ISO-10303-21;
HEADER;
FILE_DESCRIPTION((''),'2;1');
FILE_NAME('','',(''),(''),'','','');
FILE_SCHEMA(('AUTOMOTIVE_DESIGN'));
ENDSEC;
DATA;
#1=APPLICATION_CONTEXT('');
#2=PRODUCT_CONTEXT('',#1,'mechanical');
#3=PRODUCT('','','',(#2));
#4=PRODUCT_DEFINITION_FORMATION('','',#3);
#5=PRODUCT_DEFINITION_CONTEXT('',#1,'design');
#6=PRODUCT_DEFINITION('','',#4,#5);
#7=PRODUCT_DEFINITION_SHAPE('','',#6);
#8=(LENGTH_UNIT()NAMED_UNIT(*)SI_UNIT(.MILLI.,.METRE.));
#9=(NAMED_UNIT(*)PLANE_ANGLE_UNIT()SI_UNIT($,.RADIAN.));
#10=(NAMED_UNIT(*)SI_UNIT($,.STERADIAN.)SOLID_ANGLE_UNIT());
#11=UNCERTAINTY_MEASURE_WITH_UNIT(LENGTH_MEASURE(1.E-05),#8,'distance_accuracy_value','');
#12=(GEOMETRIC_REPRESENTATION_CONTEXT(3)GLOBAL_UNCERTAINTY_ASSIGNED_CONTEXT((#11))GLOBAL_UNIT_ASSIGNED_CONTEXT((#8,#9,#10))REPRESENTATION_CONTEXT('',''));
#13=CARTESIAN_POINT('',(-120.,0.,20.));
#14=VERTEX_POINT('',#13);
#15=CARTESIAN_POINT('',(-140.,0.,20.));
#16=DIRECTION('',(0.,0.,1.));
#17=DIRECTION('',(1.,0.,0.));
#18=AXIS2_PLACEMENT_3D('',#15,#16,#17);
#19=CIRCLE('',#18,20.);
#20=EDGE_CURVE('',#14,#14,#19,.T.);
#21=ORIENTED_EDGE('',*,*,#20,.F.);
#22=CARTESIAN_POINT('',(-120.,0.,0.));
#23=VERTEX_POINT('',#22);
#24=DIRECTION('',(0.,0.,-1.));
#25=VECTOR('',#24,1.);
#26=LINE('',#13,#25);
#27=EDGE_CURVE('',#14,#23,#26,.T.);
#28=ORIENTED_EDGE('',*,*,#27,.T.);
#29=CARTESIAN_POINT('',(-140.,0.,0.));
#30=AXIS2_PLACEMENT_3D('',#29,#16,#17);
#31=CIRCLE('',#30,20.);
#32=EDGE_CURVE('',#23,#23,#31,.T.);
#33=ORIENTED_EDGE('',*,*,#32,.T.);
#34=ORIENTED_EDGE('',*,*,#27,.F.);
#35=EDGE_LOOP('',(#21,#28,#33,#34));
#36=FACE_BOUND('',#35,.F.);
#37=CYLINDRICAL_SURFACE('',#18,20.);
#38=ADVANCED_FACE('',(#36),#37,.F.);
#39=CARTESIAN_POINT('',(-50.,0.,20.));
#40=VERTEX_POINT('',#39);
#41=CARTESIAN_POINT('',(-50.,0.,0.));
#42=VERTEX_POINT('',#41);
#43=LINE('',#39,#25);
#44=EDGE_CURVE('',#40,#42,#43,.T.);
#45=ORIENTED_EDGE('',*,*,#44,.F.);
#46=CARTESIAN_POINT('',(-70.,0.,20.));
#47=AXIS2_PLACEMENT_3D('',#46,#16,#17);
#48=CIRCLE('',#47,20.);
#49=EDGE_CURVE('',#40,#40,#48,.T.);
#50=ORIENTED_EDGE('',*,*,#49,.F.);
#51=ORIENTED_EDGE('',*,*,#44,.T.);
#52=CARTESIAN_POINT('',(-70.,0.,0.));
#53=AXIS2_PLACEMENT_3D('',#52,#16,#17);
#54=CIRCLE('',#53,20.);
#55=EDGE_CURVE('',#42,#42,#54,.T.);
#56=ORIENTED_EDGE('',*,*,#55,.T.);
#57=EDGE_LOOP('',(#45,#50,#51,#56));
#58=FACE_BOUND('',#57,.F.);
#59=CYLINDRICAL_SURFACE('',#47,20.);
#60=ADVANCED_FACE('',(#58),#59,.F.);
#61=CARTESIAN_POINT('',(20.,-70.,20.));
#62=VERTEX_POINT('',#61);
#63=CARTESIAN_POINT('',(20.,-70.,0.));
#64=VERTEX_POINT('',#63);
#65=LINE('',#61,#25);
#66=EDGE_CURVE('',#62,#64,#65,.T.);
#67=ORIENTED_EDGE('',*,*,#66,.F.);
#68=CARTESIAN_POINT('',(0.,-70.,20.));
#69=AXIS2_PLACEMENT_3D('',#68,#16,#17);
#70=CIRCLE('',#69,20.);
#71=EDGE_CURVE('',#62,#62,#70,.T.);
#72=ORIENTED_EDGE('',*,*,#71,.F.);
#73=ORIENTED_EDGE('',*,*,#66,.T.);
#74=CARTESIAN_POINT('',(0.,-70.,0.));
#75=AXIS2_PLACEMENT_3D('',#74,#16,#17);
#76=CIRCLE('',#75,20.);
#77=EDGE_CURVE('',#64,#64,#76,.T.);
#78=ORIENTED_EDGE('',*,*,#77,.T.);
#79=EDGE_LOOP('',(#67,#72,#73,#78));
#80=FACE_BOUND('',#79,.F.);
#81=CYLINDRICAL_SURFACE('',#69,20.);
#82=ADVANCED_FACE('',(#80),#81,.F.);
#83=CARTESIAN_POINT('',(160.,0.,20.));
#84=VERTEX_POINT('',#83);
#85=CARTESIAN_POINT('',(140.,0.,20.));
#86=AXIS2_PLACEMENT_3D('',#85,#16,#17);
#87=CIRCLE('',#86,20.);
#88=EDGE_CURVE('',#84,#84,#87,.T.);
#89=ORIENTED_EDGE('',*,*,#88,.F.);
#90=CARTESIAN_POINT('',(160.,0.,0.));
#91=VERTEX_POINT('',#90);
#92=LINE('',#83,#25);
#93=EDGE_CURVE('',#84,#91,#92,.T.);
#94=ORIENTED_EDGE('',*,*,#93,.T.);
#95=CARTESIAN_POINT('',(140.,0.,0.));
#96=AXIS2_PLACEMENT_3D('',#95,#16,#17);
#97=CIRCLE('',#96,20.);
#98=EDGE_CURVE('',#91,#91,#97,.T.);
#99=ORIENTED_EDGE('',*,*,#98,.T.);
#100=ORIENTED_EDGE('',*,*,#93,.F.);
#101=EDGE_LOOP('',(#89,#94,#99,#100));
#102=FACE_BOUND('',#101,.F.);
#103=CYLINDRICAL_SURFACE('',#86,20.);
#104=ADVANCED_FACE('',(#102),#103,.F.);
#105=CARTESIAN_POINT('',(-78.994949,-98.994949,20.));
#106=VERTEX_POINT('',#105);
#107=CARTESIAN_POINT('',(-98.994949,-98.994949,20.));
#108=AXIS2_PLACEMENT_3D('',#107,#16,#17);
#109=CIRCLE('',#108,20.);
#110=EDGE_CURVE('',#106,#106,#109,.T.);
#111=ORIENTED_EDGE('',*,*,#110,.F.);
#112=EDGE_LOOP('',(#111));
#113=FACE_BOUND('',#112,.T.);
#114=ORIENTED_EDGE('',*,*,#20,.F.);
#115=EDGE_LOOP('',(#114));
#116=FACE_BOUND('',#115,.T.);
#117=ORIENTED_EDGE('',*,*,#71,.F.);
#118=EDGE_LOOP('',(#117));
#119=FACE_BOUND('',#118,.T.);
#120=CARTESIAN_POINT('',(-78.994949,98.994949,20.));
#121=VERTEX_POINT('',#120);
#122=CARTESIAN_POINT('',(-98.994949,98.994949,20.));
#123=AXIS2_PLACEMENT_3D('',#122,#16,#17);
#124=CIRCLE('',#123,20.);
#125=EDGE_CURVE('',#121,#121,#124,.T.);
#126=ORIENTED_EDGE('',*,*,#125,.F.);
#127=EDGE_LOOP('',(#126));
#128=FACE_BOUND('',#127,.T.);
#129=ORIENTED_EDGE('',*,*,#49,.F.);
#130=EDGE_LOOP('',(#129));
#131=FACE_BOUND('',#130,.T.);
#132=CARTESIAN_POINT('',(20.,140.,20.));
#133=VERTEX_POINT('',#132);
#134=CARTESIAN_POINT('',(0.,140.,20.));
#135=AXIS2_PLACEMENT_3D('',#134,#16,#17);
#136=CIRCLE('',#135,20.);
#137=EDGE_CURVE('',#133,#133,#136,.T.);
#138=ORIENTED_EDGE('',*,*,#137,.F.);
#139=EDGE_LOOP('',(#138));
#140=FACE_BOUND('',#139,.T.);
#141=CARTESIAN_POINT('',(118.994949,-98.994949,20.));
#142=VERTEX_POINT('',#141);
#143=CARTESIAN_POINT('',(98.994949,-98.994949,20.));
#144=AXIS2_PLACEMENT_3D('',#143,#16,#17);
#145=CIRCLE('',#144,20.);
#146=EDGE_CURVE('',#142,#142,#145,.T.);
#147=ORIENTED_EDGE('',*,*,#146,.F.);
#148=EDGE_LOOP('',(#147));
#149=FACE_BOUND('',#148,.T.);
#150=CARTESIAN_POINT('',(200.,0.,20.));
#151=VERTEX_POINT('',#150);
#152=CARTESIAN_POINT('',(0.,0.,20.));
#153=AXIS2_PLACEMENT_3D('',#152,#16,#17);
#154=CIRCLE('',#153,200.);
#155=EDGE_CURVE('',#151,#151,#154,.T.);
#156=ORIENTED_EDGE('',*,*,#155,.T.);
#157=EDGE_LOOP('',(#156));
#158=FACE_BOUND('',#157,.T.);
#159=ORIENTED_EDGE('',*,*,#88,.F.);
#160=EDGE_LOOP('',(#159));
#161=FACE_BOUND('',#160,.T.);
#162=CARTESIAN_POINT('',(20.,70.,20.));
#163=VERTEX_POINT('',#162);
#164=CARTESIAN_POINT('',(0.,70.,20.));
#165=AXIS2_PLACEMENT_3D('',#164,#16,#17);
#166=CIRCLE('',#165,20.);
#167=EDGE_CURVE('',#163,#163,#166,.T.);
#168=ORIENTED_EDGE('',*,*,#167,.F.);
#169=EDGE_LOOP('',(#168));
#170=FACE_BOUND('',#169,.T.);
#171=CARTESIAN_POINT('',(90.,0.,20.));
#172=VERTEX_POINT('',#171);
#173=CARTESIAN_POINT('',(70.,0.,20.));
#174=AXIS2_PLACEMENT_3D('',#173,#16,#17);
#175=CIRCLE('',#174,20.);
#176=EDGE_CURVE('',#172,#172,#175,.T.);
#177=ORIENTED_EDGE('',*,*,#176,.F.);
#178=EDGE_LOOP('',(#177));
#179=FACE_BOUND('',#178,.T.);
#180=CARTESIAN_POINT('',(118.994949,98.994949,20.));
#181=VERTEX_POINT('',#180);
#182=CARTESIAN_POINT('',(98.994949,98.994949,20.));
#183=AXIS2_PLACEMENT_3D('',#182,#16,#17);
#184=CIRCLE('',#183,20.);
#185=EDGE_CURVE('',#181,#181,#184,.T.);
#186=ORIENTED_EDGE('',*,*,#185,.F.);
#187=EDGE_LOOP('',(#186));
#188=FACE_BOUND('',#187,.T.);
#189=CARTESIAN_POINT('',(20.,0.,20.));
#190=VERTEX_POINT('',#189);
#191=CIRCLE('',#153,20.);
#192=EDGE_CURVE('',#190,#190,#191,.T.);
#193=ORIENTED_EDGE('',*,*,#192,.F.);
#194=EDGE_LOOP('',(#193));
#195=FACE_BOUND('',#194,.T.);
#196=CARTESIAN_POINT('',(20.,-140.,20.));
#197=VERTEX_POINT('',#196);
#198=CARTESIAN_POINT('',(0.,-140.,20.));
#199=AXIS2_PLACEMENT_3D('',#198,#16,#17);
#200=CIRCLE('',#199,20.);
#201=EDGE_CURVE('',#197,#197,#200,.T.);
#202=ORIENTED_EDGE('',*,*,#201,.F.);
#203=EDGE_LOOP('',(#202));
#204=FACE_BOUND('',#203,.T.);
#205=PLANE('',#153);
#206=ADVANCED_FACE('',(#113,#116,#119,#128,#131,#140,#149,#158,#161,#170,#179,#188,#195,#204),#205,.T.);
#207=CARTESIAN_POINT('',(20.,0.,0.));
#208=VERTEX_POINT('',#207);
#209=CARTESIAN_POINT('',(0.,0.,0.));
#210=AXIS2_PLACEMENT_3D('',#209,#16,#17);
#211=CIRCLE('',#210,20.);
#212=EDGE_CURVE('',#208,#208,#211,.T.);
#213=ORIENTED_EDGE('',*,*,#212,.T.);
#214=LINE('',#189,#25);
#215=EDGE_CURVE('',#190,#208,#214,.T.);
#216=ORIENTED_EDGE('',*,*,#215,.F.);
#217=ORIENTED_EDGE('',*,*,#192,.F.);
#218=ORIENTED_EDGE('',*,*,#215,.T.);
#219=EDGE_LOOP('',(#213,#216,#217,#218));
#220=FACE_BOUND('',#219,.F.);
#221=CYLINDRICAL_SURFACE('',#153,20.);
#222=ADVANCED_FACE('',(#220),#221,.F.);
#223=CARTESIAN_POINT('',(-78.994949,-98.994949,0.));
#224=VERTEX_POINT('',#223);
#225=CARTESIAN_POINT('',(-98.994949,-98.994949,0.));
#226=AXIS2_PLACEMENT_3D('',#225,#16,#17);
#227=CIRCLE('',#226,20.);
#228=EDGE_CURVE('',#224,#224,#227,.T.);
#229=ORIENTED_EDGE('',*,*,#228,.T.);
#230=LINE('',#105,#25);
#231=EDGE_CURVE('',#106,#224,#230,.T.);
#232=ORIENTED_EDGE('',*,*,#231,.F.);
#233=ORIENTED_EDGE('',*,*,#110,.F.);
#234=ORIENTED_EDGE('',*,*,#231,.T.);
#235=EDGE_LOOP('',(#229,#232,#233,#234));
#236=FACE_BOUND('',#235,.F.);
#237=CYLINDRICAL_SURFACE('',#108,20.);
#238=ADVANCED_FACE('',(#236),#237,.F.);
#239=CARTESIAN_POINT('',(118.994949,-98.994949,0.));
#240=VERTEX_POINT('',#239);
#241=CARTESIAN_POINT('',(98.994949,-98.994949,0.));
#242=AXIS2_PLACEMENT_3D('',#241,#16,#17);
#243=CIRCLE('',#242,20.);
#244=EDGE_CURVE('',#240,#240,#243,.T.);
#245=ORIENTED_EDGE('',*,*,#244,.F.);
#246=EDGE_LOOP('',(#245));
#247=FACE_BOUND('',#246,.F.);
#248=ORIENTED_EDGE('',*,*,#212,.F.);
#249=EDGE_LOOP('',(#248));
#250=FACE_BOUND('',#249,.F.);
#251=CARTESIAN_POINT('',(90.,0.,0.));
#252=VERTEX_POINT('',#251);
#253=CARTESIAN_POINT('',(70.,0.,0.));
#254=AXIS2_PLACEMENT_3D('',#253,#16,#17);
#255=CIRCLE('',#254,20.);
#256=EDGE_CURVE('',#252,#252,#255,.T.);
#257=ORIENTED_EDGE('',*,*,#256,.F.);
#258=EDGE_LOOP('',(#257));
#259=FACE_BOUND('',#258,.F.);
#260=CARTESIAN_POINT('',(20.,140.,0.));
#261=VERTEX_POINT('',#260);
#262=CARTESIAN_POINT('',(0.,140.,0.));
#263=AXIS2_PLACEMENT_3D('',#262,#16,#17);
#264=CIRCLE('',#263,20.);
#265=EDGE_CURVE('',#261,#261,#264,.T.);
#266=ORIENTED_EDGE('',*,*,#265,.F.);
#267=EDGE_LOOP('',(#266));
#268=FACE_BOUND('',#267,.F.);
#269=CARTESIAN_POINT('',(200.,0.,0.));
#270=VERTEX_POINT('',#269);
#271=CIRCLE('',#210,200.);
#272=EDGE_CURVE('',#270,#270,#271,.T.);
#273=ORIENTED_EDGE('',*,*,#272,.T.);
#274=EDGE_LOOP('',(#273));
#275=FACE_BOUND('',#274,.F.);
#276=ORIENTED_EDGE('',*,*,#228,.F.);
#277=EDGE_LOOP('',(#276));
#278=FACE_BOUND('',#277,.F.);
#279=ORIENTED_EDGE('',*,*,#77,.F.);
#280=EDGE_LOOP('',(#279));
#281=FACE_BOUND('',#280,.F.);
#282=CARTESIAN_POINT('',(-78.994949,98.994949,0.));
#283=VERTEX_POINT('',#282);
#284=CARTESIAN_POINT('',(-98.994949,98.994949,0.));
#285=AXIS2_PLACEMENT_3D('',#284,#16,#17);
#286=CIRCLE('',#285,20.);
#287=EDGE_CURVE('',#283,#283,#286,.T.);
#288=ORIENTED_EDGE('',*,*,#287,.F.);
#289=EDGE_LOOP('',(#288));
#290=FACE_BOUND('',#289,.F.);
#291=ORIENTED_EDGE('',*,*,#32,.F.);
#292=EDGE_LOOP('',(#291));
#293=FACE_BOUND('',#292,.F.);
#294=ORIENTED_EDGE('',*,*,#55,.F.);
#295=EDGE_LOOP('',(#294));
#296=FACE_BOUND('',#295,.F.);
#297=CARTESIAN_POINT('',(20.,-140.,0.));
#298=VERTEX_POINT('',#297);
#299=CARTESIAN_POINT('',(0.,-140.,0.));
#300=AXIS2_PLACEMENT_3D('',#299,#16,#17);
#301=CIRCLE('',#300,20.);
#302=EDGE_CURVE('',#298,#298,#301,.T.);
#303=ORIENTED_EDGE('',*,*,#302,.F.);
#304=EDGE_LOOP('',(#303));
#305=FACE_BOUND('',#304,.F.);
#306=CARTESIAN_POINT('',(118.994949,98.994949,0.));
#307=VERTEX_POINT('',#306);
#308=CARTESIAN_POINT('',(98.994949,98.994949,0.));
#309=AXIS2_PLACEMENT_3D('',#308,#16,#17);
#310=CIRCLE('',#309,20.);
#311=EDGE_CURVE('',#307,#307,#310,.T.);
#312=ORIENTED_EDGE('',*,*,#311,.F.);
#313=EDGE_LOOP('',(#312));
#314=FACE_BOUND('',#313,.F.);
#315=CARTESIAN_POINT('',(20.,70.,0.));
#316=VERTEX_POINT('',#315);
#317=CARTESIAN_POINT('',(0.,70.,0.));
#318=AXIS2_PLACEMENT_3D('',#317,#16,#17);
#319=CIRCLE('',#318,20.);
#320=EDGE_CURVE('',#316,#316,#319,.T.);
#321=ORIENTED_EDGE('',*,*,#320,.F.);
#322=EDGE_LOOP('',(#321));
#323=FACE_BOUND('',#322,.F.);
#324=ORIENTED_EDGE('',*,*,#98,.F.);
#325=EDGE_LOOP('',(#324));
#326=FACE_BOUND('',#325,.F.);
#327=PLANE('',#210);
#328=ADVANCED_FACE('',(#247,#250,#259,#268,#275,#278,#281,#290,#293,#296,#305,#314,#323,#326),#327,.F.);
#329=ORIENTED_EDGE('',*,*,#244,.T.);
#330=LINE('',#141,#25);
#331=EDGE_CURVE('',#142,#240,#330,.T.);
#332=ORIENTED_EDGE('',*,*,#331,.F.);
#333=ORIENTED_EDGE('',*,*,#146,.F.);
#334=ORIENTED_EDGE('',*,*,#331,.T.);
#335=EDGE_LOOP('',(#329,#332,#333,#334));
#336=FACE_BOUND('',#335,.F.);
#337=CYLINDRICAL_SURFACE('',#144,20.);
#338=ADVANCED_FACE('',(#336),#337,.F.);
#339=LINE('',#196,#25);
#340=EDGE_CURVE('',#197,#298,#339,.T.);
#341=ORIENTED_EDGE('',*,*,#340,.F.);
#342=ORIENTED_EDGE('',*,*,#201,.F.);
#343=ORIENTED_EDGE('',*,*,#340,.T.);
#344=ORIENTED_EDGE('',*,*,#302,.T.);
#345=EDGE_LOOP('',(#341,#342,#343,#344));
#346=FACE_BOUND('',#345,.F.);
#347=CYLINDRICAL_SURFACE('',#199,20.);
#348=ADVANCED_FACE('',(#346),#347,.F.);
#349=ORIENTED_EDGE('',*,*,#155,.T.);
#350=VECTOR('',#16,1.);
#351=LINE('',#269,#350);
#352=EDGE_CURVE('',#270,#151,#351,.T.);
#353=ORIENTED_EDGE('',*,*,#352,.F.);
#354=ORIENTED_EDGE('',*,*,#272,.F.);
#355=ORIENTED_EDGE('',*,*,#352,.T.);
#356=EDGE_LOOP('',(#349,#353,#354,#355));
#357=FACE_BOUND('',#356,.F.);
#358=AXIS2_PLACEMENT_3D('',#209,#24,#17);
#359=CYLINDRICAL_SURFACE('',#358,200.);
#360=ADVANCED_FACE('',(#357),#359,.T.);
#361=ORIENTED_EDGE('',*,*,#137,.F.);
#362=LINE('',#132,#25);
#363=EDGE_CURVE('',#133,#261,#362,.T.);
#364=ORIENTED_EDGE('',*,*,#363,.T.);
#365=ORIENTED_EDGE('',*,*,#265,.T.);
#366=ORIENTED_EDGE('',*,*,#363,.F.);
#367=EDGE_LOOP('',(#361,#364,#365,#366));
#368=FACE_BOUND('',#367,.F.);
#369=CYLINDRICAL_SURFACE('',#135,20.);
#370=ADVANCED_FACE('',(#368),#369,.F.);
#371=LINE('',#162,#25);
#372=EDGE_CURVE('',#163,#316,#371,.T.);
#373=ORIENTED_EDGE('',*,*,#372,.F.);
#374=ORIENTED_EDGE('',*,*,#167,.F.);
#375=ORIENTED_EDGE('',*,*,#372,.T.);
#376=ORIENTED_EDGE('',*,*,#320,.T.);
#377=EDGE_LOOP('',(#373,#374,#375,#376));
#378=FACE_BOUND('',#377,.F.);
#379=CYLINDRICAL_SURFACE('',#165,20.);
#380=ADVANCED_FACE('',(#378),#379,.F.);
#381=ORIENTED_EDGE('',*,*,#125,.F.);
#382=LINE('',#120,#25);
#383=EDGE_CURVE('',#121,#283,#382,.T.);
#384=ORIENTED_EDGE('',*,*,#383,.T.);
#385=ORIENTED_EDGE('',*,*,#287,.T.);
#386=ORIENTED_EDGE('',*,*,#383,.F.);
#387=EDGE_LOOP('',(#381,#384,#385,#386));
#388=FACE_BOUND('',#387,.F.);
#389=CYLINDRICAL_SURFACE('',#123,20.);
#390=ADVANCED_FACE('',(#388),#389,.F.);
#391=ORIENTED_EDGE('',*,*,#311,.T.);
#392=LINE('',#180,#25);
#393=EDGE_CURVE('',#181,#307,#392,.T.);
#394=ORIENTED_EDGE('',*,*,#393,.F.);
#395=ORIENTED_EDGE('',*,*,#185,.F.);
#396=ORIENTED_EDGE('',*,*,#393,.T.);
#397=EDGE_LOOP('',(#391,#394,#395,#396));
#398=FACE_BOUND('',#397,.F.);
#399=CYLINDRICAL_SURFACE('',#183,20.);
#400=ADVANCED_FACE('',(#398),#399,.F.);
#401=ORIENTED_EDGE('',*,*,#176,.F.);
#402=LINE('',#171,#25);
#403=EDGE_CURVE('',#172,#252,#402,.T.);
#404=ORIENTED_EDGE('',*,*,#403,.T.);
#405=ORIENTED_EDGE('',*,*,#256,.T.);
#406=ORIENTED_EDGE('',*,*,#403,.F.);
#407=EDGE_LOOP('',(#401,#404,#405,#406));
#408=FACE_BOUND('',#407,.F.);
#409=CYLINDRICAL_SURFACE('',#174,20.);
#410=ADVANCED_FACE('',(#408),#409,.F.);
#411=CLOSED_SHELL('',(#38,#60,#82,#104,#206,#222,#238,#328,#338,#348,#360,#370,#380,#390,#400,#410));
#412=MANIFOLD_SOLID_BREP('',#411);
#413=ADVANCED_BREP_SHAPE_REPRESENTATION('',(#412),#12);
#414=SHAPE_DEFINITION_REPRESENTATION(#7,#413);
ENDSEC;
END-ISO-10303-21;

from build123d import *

# Parameters (mm, degrees)
F0_R     = 200
F1_DEPTH = 20
F2_R     = 20
F3_DEPTH = 25


with BuildPart() as f1:
    # F0 (on Top) → F1 (new body)
    with BuildSketch(Plane.XY):
        Circle(F0_R)
    extrude(amount=F1_DEPTH)

    # F2 (on face) → F3 (cut)
    with BuildSketch(Plane.XY.offset(20)):
        Circle(F2_R)
        with Locations((-70, 0)):
            Circle(F2_R)
        with Locations((-140, 0)):
            Circle(F2_R)
        with Locations((0, -70)):
            Circle(F2_R)
        with Locations((70, 0)):
            Circle(F2_R)
        with Locations((0, 70)):
            Circle(F2_R)
        with Locations((-98.994949, -98.994949)):
            Circle(F2_R)
        with Locations((0, -140)):
            Circle(F2_R)
        with Locations((98.994949, -98.994949)):
            Circle(F2_R)
        with Locations((140, 0)):
            Circle(F2_R)
        with Locations((98.994949, 98.994949)):
            Circle(F2_R)
        with Locations((0, 140)):
            Circle(F2_R)
        with Locations((-98.994949, 98.994949)):
            Circle(F2_R)
    extrude(amount=-F3_DEPTH, mode=Mode.SUBTRACT)


solid = f1.part
